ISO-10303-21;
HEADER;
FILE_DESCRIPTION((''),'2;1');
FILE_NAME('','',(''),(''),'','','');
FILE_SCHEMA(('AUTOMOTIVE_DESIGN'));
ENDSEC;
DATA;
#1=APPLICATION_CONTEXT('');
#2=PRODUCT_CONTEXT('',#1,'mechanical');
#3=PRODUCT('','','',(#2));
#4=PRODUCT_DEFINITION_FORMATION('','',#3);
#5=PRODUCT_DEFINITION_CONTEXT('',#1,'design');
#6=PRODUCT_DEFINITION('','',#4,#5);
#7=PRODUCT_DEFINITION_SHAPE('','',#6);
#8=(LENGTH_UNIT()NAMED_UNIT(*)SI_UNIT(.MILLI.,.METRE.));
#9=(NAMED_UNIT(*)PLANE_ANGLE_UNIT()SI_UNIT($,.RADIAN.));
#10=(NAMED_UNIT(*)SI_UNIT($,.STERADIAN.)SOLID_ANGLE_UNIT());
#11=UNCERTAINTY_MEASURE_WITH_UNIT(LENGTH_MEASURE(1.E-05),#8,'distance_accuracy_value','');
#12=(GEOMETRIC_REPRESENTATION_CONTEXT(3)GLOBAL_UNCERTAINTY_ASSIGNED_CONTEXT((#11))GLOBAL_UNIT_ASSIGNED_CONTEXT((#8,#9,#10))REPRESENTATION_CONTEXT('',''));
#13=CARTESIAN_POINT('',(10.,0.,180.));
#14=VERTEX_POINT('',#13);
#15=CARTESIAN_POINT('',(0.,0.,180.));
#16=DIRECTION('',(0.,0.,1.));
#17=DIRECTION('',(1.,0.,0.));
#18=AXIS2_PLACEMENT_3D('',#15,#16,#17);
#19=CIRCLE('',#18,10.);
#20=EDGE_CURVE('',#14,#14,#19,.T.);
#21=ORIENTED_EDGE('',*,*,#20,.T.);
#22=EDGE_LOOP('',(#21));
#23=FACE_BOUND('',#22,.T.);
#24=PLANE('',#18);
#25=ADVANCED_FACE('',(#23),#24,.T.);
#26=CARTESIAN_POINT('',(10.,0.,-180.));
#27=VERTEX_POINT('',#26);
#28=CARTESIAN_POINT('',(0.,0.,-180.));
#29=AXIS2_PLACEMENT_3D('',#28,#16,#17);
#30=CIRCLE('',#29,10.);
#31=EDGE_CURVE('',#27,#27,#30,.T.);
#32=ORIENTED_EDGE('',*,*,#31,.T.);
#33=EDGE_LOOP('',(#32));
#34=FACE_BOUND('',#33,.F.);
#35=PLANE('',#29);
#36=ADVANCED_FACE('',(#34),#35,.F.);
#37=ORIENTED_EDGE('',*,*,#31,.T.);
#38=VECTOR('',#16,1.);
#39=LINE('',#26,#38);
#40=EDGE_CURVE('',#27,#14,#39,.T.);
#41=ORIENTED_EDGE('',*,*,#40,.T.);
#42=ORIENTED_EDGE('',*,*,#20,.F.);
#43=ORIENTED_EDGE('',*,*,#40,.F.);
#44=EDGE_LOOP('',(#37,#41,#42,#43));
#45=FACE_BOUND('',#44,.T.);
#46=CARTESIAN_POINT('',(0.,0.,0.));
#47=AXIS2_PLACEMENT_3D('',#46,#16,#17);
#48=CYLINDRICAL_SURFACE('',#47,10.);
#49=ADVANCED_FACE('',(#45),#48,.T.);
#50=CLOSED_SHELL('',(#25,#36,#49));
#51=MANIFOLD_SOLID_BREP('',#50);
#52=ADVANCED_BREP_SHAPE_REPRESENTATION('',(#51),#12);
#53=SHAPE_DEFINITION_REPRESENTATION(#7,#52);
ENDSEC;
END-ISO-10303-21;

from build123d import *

# Parameters (mm, degrees)
SKETCH1_R           = 10
BOSS_EXTRUDE1_DEPTH = 180


with BuildPart() as part:
    # Sketch1 → Boss-Extrude1 (new body, symmetric)
    with BuildSketch(Plane.XY):
        Circle(SKETCH1_R)
    extrude(amount=BOSS_EXTRUDE1_DEPTH, both=True)


solid = part.part
